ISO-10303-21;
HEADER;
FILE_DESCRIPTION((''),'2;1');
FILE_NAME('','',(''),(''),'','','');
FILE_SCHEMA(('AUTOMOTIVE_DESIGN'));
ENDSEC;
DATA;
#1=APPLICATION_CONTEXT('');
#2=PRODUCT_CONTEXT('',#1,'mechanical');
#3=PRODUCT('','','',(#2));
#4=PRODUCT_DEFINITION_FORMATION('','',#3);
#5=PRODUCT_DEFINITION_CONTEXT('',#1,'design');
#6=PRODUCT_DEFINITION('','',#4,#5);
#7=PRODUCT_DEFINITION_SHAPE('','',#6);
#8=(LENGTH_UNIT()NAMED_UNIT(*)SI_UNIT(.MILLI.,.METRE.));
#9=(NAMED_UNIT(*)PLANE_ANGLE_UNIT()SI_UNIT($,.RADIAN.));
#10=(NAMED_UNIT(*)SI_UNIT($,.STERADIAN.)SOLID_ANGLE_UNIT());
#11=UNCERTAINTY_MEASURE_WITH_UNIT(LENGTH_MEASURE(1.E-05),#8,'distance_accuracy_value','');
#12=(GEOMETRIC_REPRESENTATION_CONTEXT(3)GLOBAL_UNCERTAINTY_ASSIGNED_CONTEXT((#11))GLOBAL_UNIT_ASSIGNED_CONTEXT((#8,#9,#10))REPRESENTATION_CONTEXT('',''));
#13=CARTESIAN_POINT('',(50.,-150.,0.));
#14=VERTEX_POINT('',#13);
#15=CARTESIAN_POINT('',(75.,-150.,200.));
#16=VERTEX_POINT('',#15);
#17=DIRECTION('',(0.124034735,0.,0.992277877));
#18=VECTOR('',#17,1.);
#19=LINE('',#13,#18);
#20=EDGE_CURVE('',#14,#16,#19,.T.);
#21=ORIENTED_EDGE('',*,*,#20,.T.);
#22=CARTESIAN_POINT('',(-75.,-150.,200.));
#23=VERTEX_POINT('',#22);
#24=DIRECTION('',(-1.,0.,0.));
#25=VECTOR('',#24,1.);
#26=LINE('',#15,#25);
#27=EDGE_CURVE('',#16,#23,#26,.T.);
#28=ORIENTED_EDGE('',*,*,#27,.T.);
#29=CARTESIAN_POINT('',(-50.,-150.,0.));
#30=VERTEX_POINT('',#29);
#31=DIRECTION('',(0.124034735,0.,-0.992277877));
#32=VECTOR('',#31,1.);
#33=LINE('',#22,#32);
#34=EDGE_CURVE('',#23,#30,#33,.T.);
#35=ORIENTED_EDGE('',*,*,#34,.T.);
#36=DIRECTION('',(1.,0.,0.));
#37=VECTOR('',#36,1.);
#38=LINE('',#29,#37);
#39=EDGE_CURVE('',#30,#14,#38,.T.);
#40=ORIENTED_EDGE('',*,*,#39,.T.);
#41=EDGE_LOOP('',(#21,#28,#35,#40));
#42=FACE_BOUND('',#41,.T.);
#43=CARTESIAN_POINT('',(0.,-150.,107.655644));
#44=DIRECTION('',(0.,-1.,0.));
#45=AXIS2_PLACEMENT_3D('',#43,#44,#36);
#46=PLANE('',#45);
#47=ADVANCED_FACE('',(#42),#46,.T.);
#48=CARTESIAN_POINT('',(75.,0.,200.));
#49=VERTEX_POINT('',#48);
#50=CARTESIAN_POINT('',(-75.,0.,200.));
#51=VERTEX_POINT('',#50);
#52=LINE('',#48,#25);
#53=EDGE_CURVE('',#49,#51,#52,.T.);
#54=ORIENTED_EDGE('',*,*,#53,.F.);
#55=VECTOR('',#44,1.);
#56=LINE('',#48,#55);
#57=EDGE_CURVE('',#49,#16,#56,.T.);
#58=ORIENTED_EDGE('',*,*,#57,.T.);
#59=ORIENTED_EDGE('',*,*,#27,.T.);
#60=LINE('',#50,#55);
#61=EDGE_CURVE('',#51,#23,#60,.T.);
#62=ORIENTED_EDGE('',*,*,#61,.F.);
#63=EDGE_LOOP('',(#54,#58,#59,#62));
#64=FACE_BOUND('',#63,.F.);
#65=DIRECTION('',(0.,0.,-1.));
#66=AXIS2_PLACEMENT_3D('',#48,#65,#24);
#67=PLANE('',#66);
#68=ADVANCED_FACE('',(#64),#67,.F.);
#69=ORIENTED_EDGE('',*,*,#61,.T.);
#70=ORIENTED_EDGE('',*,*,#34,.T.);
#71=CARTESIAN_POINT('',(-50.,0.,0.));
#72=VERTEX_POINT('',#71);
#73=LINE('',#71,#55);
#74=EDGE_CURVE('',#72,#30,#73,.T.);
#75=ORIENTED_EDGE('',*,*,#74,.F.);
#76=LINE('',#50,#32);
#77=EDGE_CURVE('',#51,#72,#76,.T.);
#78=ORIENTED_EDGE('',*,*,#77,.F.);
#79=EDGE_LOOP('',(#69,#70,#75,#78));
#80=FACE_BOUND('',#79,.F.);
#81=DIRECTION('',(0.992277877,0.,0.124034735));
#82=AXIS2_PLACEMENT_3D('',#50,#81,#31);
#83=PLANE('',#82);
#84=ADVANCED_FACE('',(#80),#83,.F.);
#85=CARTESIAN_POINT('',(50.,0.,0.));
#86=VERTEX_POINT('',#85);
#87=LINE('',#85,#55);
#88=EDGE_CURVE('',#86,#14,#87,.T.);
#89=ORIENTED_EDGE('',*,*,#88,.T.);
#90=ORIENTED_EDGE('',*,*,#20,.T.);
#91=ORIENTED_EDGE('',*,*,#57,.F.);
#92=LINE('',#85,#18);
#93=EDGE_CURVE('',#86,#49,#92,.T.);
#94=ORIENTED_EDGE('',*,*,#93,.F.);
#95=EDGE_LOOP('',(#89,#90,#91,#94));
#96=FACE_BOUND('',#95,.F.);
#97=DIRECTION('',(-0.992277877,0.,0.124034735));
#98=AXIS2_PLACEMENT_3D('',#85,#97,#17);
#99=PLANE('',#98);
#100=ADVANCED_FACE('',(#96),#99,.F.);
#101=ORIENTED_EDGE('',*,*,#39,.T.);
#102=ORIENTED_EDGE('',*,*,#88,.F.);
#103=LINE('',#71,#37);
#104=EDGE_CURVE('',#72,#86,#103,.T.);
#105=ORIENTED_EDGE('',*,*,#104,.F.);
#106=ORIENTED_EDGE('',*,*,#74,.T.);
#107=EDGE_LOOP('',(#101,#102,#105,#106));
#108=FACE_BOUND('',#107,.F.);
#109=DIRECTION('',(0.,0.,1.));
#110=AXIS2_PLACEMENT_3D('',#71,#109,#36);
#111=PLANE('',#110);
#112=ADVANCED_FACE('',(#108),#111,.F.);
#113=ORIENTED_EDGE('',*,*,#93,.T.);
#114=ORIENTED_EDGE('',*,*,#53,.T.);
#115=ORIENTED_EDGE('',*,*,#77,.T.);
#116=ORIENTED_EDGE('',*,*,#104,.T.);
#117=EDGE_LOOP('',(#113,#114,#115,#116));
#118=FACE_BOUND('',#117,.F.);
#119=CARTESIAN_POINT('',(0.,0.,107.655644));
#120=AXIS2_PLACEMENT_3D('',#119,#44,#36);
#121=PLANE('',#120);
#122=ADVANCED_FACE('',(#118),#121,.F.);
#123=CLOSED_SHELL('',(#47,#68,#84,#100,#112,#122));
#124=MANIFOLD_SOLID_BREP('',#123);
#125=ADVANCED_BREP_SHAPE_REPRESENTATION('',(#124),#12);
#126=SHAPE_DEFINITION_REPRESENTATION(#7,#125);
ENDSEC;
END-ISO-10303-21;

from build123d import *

# Parameters (mm, degrees)
PAD_DEPTH = 150


with BuildPart() as part:
    # Sketch → Pad (new body)
    with BuildSketch(Plane.XZ):
        Polygon((-50, 0), (50, 0), (75, 200), (-75, 200), align=None)
    extrude(amount=PAD_DEPTH)


solid = part.part
